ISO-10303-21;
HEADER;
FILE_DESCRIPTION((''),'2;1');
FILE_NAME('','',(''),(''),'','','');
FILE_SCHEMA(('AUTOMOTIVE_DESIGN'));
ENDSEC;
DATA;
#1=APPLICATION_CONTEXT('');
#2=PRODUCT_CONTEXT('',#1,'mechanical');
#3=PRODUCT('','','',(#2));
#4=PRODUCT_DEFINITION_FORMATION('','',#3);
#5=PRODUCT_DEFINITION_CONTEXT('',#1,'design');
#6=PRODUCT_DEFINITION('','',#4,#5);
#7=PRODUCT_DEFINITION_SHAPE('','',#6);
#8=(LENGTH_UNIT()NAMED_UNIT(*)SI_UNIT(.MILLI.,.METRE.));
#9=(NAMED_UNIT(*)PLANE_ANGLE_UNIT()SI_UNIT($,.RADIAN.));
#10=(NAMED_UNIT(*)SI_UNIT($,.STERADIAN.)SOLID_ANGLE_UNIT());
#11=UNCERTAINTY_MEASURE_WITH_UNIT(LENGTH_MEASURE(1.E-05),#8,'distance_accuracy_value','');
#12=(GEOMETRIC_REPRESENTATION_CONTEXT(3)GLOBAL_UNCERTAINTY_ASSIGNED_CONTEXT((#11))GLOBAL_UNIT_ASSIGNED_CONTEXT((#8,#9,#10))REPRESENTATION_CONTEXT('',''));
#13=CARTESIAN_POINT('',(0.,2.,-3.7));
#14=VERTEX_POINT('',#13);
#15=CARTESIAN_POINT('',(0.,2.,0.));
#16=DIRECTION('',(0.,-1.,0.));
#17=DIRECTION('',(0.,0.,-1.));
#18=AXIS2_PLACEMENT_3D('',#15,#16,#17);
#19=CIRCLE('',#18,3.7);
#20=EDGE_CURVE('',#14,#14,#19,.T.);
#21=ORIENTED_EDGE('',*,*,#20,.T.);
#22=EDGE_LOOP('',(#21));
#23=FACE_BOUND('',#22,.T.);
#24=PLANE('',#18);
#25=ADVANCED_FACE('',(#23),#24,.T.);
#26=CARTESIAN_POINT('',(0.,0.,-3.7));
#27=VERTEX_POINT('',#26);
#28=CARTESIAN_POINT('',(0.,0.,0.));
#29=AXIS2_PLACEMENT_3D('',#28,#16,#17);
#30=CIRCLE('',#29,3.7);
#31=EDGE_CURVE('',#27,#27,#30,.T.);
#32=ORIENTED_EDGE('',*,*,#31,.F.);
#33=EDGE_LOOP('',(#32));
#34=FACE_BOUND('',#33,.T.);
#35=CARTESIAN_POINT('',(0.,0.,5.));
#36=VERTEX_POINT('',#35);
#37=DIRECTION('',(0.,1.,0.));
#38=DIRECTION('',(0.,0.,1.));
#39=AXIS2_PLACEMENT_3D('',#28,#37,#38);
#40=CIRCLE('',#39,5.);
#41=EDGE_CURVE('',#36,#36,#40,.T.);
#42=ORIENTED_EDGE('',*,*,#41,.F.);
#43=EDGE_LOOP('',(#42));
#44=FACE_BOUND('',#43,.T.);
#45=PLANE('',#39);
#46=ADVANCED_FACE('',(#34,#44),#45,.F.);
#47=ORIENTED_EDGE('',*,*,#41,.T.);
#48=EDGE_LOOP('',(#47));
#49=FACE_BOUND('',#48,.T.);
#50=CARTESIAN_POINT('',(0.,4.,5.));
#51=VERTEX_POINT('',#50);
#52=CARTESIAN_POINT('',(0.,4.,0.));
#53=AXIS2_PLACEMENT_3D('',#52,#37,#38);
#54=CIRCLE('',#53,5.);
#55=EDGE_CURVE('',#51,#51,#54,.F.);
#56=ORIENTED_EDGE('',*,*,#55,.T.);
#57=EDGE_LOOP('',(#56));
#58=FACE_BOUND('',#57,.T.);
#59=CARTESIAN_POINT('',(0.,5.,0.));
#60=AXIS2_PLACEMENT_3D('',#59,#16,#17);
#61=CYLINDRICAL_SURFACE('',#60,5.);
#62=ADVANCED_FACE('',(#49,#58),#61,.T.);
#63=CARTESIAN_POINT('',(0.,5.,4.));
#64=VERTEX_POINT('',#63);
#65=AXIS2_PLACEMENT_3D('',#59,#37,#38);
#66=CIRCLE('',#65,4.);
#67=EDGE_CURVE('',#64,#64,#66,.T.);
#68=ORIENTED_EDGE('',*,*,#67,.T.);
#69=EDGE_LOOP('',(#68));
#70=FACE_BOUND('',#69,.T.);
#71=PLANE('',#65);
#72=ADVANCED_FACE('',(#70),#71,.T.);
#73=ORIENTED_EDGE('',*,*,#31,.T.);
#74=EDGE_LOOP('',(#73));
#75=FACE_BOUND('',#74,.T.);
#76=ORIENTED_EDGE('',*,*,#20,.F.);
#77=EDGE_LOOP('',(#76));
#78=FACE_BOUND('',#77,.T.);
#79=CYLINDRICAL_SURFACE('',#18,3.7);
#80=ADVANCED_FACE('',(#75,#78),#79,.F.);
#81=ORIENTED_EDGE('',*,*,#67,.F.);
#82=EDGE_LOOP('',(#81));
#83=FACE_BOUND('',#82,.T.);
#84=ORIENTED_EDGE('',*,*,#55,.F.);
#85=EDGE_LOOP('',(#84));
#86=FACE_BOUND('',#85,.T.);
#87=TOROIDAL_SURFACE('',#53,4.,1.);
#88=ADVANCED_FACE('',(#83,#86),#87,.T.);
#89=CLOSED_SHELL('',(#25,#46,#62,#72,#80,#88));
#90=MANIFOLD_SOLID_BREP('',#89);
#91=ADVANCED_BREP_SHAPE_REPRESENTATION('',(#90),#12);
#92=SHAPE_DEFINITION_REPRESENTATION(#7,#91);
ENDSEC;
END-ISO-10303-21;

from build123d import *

# Parameters (mm, degrees)
SKETCH1_R           = 5
BOSS_EXTRUDE1_DEPTH = 5
FILLET1_R           = 1
SKETCH2_R           = 3.7
CUT_EXTRUDE1_DEPTH  = 2


with BuildPart() as part:
    # Sketch1 → Boss-Extrude1 (new body)
    with BuildSketch(Plane(origin=(0, 0, 0), x_dir=(1, 0, 0), z_dir=(0, 1, 0))):
        Circle(SKETCH1_R)
    extrude(amount=BOSS_EXTRUDE1_DEPTH)

    # Fillet1
    fillet1_edges = [part.edges().sort_by_distance(p)[0] for p in [
        (-5, 5, 0),
    ]]
    fillet(fillet1_edges, radius=FILLET1_R)

    # Sketch2 → Cut-Extrude1 (cut)
    with BuildSketch(Plane.XZ):
        Circle(SKETCH2_R)
    extrude(amount=-CUT_EXTRUDE1_DEPTH, mode=Mode.SUBTRACT)


solid = part.part
